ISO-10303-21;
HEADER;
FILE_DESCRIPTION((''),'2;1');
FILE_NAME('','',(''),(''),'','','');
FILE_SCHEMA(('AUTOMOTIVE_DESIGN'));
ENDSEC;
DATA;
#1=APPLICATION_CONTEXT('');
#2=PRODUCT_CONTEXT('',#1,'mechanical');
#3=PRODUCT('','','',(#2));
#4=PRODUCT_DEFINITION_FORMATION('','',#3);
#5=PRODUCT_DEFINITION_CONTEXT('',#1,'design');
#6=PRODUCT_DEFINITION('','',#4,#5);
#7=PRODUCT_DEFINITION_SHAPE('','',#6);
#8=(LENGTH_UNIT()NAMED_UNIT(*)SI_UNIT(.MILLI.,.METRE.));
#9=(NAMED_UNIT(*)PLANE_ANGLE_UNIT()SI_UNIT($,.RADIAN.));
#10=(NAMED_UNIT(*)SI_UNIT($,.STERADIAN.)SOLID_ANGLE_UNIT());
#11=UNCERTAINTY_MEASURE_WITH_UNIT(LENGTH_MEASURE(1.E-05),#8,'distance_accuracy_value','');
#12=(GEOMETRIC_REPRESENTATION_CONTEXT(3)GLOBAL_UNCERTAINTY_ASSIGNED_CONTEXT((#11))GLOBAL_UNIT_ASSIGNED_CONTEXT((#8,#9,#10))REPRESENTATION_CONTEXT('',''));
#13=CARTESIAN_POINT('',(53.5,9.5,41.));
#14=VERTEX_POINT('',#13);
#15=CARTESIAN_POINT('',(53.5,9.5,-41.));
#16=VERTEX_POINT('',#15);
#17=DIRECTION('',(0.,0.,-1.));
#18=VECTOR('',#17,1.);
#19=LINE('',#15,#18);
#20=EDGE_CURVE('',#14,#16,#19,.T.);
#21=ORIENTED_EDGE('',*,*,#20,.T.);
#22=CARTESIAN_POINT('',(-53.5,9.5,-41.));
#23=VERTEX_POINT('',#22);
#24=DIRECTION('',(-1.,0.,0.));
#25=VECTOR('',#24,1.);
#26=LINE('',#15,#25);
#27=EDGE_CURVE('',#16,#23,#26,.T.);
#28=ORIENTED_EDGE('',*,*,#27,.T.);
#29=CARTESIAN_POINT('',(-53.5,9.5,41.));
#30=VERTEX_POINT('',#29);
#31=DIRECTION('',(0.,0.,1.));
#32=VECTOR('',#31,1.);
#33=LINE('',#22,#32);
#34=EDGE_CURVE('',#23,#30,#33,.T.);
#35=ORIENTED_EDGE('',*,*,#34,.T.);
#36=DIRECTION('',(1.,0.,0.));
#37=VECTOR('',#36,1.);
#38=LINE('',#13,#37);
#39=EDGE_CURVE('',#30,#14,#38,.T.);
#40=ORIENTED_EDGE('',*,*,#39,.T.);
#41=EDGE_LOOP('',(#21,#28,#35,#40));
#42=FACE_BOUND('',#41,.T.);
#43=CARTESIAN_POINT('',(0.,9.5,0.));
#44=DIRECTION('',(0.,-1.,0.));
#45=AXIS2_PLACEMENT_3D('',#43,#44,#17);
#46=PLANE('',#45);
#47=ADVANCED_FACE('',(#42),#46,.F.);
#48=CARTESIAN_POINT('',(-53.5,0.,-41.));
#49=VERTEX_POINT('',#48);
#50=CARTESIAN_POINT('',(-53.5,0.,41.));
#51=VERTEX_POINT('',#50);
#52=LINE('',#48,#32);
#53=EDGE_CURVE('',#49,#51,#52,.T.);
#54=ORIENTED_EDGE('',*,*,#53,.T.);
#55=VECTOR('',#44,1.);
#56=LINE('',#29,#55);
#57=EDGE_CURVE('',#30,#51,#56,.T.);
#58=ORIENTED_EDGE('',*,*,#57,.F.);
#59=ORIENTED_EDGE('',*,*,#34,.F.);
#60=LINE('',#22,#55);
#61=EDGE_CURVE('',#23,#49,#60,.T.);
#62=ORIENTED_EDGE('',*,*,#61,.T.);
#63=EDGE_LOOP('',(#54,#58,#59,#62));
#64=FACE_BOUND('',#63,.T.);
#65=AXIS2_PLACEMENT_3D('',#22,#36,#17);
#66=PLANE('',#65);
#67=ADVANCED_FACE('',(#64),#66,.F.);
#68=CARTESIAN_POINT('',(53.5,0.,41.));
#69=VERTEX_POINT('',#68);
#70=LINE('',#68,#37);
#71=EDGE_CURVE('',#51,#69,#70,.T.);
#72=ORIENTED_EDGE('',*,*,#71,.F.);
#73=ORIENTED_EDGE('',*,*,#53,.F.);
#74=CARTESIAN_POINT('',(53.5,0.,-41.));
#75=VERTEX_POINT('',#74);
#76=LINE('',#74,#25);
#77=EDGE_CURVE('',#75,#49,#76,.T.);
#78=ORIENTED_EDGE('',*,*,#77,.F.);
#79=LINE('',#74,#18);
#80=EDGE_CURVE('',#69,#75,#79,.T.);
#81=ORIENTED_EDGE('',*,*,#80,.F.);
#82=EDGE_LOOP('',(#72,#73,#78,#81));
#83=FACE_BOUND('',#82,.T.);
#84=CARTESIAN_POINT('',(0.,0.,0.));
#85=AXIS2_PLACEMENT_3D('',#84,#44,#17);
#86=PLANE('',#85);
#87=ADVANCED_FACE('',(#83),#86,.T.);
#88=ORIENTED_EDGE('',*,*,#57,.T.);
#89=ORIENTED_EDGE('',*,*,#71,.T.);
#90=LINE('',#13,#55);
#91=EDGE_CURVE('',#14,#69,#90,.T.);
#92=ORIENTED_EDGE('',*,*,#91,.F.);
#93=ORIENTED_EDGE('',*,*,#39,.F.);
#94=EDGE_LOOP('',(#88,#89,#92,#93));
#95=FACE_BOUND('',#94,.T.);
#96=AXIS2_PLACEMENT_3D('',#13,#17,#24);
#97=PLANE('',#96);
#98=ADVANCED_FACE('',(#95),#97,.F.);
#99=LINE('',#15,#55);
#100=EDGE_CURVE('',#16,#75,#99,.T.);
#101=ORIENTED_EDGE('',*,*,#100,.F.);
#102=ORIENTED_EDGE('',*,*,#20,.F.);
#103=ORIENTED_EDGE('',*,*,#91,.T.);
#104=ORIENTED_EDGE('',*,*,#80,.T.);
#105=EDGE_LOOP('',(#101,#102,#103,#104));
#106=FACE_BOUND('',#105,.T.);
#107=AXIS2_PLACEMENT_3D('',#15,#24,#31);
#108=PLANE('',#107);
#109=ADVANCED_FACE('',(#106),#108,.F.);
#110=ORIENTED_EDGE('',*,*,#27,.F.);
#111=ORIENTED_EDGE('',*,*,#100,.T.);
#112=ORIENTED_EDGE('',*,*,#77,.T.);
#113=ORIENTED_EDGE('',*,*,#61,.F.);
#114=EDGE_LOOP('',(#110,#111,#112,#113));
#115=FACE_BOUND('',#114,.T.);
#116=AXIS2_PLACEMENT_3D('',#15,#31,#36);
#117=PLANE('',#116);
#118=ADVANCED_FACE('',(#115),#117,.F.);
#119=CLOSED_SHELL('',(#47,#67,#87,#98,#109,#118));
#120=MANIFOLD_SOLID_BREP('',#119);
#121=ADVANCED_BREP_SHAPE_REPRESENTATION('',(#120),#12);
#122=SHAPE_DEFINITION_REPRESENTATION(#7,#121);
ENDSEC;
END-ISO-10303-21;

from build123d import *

# Parameters (mm, degrees)
SKETCH_1_W      = 107
SKETCH_1_H      = 82
EXTRUDE_1_DEPTH = 9.5


with BuildPart() as part:
    # ｽｹｯﾁ1 → ﾎﾞｽ - 押し出し1 (new body)
    with BuildSketch(Plane(origin=(0, 0, 0), x_dir=(1, 0, 0), z_dir=(0, 1, 0))):
        Rectangle(SKETCH_1_W, SKETCH_1_H)
    extrude(amount=EXTRUDE_1_DEPTH)


solid = part.part
